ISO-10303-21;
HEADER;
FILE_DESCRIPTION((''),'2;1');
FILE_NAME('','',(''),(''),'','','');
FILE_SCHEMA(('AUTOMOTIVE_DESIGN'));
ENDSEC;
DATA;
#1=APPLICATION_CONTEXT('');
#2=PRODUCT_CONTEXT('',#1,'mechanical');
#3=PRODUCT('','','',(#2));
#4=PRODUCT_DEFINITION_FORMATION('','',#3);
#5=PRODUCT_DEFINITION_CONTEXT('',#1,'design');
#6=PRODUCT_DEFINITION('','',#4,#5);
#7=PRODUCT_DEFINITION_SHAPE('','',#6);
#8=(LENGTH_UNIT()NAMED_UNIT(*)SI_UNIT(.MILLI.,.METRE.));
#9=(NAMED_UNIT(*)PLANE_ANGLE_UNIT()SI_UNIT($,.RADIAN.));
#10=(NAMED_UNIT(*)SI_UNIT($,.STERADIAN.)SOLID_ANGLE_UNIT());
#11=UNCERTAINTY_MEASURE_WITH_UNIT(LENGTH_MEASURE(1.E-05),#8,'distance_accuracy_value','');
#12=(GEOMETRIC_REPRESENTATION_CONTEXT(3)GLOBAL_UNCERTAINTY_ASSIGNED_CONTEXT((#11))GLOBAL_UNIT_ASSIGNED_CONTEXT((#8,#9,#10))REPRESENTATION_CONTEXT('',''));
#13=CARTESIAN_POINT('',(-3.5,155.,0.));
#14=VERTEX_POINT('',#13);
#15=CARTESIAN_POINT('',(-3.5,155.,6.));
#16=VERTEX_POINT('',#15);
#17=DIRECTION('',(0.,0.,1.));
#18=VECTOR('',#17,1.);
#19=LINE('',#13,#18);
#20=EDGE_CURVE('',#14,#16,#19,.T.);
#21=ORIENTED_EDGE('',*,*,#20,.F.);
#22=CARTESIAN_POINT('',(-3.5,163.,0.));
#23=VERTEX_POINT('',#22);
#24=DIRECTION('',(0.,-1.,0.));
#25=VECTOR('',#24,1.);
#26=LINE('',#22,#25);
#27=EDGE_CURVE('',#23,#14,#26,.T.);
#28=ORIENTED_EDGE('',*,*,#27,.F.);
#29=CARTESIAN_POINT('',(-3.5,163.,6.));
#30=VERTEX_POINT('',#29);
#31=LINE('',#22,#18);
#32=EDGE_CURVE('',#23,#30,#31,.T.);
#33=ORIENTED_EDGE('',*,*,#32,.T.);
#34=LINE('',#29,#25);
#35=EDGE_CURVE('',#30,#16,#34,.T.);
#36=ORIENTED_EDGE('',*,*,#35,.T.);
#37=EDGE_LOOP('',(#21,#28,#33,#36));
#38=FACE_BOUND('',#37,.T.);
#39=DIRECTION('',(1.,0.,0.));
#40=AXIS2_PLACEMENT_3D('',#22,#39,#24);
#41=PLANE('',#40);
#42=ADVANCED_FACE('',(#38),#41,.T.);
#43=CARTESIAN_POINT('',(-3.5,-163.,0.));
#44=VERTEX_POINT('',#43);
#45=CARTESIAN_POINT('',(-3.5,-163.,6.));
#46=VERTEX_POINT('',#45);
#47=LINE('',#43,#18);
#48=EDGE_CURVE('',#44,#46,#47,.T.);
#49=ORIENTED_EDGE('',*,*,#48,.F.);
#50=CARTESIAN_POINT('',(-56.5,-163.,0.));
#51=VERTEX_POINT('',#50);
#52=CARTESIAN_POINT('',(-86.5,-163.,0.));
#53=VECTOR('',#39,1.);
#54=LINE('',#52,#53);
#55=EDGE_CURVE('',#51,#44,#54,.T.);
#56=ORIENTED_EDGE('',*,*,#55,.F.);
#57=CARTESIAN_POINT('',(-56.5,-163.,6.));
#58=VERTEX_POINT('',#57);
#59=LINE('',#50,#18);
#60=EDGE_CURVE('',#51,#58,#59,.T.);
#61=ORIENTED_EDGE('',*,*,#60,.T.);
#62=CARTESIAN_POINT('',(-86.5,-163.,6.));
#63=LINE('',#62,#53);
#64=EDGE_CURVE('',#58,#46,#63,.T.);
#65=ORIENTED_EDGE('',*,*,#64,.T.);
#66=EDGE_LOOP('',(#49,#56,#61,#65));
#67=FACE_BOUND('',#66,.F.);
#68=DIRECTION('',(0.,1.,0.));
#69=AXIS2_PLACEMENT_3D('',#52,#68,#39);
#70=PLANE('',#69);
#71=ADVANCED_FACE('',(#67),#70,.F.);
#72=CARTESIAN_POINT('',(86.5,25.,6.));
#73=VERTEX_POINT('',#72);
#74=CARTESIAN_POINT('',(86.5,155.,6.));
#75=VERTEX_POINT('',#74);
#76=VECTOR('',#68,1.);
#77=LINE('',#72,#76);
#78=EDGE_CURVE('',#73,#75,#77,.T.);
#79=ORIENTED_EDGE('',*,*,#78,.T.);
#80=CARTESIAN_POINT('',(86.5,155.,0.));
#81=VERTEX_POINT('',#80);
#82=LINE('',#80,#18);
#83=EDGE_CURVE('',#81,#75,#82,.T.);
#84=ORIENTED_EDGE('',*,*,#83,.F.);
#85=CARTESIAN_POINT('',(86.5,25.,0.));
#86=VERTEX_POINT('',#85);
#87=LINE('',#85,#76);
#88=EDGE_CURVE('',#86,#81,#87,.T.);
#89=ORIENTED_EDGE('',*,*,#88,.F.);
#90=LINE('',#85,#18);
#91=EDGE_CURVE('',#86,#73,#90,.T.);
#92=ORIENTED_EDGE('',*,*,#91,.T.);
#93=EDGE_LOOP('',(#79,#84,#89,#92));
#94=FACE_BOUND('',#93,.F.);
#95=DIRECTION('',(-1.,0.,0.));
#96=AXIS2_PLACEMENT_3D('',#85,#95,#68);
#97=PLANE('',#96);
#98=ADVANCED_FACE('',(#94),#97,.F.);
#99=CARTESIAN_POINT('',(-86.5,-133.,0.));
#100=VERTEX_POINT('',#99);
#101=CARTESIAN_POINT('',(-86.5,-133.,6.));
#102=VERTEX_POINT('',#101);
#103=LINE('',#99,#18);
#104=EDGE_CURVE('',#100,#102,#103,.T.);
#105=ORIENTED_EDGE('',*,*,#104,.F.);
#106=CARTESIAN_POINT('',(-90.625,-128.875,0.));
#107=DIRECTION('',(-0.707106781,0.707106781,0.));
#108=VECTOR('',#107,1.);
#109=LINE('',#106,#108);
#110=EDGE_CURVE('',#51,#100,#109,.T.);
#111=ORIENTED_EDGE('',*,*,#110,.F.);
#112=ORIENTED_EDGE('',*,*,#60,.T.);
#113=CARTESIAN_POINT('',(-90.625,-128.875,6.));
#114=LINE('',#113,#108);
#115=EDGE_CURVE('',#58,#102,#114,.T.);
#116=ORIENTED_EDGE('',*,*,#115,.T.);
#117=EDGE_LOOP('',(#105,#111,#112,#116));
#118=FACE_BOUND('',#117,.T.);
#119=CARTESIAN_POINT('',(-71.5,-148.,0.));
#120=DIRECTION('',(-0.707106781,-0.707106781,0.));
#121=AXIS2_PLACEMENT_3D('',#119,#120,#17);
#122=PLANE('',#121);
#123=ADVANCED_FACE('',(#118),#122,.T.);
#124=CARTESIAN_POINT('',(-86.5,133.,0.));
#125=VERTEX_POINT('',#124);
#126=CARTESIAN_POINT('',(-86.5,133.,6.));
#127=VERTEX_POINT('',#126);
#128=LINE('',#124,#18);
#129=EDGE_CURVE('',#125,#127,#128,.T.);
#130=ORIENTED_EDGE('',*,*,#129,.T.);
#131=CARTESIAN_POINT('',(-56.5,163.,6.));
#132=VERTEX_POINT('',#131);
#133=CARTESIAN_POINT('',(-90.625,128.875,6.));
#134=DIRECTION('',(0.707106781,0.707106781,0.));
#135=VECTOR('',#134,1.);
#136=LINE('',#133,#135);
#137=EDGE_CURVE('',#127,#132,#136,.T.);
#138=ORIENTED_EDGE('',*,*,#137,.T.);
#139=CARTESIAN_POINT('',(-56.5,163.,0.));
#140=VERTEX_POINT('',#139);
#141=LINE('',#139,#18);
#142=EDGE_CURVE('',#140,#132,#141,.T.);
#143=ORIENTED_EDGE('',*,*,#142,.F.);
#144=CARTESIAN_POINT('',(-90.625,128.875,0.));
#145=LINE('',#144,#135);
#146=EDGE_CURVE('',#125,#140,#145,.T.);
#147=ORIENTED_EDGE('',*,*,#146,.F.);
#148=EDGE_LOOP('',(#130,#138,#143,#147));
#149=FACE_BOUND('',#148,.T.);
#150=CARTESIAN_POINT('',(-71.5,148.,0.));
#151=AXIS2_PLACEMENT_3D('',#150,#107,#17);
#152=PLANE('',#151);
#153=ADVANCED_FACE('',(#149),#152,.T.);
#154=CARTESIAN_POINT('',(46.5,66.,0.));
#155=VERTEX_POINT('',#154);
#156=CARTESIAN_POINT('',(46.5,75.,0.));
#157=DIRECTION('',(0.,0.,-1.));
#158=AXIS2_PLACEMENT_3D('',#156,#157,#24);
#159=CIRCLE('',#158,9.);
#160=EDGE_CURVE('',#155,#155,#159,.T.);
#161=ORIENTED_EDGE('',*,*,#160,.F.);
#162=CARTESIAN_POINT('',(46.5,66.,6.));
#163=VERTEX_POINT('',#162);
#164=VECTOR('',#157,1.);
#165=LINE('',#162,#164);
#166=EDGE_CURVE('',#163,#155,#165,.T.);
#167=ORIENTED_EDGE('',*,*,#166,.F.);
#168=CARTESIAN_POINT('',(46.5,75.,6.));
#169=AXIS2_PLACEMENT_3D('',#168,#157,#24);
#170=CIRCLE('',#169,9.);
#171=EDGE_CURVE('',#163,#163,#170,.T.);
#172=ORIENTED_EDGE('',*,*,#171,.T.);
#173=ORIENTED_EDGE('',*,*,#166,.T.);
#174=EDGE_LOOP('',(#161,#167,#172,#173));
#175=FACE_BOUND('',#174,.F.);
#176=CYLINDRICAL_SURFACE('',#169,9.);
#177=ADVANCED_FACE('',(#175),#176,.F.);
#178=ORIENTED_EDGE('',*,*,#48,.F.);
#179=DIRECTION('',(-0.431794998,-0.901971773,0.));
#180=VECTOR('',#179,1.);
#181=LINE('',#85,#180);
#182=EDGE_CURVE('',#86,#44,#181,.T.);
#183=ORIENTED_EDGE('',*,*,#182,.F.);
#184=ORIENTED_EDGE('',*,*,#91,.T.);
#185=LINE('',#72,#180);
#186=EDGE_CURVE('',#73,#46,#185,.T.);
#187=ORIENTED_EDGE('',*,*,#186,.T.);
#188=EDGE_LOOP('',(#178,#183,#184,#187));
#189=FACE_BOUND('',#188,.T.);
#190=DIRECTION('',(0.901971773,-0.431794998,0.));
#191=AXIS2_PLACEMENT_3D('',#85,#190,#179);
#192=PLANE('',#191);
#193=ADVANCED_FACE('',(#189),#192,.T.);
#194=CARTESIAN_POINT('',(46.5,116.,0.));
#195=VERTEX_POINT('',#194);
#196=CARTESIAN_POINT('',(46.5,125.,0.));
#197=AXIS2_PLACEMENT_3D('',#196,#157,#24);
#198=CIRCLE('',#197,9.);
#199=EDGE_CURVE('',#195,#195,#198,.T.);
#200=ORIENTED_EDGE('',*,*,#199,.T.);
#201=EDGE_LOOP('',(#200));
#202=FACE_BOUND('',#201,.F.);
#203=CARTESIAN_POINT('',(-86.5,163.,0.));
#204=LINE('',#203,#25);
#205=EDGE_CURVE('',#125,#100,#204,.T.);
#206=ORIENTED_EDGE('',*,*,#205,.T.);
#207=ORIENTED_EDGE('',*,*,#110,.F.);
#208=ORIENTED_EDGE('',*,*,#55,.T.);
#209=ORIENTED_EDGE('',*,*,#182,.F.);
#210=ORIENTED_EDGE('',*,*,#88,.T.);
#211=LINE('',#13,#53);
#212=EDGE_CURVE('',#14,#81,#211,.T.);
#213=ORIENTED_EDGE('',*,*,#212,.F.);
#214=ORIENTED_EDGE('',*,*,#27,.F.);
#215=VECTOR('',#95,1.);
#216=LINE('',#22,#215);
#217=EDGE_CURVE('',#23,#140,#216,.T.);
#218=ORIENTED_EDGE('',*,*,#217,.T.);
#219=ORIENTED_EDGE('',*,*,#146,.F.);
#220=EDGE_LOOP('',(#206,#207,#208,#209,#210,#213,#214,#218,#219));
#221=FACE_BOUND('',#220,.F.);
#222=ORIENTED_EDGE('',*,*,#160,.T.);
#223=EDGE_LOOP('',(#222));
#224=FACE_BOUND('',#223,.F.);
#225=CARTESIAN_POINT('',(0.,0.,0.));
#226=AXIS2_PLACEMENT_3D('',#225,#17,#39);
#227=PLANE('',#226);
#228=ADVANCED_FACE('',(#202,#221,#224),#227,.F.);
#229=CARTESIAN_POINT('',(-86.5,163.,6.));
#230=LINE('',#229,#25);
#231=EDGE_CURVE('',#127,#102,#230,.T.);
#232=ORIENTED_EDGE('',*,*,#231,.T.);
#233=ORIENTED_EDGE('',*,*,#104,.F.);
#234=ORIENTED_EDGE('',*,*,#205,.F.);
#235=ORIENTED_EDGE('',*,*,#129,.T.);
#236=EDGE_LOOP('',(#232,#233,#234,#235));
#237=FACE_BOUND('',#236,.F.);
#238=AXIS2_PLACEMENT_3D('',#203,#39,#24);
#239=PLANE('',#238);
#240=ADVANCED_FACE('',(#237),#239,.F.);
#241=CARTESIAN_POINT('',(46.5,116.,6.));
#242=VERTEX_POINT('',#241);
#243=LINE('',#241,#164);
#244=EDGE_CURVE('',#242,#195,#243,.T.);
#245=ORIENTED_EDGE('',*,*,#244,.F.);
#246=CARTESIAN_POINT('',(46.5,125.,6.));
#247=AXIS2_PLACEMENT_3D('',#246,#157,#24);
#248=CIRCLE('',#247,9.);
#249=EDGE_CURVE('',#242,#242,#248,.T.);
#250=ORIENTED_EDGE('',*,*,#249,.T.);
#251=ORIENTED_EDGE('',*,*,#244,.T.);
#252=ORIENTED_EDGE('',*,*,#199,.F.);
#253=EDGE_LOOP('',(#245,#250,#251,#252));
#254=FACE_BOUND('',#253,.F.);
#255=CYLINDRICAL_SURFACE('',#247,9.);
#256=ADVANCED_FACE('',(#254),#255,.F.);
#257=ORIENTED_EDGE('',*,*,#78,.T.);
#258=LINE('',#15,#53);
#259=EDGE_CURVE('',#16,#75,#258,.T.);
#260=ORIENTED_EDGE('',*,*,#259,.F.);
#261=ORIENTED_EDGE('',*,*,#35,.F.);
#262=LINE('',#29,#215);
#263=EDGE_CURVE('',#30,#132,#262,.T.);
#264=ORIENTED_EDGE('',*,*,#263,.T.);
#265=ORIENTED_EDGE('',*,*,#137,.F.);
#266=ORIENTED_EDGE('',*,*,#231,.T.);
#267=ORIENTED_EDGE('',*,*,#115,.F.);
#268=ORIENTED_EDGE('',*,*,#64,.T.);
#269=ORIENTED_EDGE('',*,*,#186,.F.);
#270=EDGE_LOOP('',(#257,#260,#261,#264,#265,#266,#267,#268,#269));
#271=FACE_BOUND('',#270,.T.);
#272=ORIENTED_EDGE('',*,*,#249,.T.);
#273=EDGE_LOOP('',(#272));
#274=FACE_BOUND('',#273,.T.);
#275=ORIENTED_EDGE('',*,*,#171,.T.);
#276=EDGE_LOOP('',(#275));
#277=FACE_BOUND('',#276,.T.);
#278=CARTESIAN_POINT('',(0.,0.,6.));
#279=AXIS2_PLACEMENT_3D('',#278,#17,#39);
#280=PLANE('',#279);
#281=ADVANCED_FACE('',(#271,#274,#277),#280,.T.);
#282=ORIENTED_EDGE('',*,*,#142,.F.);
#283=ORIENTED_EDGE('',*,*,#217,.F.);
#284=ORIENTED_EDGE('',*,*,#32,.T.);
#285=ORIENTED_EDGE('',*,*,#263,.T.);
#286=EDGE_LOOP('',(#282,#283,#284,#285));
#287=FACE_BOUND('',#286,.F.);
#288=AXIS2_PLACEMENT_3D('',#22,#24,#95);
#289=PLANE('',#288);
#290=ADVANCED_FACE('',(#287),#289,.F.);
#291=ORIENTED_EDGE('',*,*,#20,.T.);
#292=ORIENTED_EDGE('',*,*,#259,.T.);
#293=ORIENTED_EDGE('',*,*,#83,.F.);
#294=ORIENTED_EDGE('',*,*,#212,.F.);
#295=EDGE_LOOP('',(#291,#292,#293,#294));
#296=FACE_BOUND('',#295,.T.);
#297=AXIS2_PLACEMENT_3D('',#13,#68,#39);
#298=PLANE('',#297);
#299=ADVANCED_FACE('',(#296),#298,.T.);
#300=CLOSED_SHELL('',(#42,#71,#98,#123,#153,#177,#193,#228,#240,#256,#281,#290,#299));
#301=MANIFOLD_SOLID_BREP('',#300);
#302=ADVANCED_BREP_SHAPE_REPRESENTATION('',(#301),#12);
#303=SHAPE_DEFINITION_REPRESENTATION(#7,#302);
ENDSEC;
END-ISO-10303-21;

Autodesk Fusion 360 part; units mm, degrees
sketch "スケッチ1" plane through (0, 0, 0) normal (0, 0, 1) x (1, 0, 0)
  line L0 (-3.5, 163) -> (-86.5, 163)
  line L1 (-86.5, 163) -> (-86.5, -163)
  line L2 (-86.5, -163) -> (-3.5, -163)
  line L3 (86.5, 25) -> (86.5, 155)
  line L4 (82.2546, 155) -> (-86.5, -163) construction
  line L5 (-86.5, 163) -> (39.184, -73.838) construction
  line L6 (-3.5, 163) -> (-3.5, 155)
  line L7 (-3.5, 155) -> (86.5, 155)
  line L8 (-86.5, -163) -> (-3.5, -163) construction
  line L9 (86.5, 25) -> (-3.5, -163)
  dimension "d2" = 326
  dimension "d5" = 83
extrude "押し出し1" add sketch "スケッチ1" along normal blind 6
chamfer "面取り1" distance 30 angle 45 2 edges at (-86.5, -163, 3) (-86.5, 163, 3)
sketch "スケッチ2" plane through (0, 0, 6) normal (0, 0, 1) x (-1, 0, 0)
  line L0 (56.5, -163) -> (86.5, -133)
  line L1 (86.5, -133) -> (86.5, 133)
  line L2 (86.5, 133) -> (56.5, 163)
  line L3 (56.5, 163) -> (3.5, 163)
  line L4 (3.5, 163) -> (-86.5, -25)
  line L5 (-86.5, -25) -> (-86.5, -155)
  line L6 (-86.5, -155) -> (3.5, -155)
  line L7 (3.5, -155) -> (3.5, -163)
  line L8 (3.5, -163) -> (56.5, -163)
  line L9 (-86.5, -155) -> (-46.5, -155) construction
  line L10 (-46.5, -155) -> (-46.5, -125) construction
  line L11 (-46.5, -125) -> (-86.5, -125) construction
  line L12 (-86.5, -125) -> (-86.5, -155) construction
  line L13 (-46.5, -125) -> (-46.5, -75) construction
  point P0 (-46.5, -125)
  point P1 (-46.5, -75)
  dimension "d10" = 40
  dimension "d11" = 30
  dimension "d12" = 50
hole "穴1" at (46.5, 125, 6) at (46.5, 75, 6) direction (0, 0, -1) diameter 18 end through all
equation "d5 = 30 mm + 53 mm"
